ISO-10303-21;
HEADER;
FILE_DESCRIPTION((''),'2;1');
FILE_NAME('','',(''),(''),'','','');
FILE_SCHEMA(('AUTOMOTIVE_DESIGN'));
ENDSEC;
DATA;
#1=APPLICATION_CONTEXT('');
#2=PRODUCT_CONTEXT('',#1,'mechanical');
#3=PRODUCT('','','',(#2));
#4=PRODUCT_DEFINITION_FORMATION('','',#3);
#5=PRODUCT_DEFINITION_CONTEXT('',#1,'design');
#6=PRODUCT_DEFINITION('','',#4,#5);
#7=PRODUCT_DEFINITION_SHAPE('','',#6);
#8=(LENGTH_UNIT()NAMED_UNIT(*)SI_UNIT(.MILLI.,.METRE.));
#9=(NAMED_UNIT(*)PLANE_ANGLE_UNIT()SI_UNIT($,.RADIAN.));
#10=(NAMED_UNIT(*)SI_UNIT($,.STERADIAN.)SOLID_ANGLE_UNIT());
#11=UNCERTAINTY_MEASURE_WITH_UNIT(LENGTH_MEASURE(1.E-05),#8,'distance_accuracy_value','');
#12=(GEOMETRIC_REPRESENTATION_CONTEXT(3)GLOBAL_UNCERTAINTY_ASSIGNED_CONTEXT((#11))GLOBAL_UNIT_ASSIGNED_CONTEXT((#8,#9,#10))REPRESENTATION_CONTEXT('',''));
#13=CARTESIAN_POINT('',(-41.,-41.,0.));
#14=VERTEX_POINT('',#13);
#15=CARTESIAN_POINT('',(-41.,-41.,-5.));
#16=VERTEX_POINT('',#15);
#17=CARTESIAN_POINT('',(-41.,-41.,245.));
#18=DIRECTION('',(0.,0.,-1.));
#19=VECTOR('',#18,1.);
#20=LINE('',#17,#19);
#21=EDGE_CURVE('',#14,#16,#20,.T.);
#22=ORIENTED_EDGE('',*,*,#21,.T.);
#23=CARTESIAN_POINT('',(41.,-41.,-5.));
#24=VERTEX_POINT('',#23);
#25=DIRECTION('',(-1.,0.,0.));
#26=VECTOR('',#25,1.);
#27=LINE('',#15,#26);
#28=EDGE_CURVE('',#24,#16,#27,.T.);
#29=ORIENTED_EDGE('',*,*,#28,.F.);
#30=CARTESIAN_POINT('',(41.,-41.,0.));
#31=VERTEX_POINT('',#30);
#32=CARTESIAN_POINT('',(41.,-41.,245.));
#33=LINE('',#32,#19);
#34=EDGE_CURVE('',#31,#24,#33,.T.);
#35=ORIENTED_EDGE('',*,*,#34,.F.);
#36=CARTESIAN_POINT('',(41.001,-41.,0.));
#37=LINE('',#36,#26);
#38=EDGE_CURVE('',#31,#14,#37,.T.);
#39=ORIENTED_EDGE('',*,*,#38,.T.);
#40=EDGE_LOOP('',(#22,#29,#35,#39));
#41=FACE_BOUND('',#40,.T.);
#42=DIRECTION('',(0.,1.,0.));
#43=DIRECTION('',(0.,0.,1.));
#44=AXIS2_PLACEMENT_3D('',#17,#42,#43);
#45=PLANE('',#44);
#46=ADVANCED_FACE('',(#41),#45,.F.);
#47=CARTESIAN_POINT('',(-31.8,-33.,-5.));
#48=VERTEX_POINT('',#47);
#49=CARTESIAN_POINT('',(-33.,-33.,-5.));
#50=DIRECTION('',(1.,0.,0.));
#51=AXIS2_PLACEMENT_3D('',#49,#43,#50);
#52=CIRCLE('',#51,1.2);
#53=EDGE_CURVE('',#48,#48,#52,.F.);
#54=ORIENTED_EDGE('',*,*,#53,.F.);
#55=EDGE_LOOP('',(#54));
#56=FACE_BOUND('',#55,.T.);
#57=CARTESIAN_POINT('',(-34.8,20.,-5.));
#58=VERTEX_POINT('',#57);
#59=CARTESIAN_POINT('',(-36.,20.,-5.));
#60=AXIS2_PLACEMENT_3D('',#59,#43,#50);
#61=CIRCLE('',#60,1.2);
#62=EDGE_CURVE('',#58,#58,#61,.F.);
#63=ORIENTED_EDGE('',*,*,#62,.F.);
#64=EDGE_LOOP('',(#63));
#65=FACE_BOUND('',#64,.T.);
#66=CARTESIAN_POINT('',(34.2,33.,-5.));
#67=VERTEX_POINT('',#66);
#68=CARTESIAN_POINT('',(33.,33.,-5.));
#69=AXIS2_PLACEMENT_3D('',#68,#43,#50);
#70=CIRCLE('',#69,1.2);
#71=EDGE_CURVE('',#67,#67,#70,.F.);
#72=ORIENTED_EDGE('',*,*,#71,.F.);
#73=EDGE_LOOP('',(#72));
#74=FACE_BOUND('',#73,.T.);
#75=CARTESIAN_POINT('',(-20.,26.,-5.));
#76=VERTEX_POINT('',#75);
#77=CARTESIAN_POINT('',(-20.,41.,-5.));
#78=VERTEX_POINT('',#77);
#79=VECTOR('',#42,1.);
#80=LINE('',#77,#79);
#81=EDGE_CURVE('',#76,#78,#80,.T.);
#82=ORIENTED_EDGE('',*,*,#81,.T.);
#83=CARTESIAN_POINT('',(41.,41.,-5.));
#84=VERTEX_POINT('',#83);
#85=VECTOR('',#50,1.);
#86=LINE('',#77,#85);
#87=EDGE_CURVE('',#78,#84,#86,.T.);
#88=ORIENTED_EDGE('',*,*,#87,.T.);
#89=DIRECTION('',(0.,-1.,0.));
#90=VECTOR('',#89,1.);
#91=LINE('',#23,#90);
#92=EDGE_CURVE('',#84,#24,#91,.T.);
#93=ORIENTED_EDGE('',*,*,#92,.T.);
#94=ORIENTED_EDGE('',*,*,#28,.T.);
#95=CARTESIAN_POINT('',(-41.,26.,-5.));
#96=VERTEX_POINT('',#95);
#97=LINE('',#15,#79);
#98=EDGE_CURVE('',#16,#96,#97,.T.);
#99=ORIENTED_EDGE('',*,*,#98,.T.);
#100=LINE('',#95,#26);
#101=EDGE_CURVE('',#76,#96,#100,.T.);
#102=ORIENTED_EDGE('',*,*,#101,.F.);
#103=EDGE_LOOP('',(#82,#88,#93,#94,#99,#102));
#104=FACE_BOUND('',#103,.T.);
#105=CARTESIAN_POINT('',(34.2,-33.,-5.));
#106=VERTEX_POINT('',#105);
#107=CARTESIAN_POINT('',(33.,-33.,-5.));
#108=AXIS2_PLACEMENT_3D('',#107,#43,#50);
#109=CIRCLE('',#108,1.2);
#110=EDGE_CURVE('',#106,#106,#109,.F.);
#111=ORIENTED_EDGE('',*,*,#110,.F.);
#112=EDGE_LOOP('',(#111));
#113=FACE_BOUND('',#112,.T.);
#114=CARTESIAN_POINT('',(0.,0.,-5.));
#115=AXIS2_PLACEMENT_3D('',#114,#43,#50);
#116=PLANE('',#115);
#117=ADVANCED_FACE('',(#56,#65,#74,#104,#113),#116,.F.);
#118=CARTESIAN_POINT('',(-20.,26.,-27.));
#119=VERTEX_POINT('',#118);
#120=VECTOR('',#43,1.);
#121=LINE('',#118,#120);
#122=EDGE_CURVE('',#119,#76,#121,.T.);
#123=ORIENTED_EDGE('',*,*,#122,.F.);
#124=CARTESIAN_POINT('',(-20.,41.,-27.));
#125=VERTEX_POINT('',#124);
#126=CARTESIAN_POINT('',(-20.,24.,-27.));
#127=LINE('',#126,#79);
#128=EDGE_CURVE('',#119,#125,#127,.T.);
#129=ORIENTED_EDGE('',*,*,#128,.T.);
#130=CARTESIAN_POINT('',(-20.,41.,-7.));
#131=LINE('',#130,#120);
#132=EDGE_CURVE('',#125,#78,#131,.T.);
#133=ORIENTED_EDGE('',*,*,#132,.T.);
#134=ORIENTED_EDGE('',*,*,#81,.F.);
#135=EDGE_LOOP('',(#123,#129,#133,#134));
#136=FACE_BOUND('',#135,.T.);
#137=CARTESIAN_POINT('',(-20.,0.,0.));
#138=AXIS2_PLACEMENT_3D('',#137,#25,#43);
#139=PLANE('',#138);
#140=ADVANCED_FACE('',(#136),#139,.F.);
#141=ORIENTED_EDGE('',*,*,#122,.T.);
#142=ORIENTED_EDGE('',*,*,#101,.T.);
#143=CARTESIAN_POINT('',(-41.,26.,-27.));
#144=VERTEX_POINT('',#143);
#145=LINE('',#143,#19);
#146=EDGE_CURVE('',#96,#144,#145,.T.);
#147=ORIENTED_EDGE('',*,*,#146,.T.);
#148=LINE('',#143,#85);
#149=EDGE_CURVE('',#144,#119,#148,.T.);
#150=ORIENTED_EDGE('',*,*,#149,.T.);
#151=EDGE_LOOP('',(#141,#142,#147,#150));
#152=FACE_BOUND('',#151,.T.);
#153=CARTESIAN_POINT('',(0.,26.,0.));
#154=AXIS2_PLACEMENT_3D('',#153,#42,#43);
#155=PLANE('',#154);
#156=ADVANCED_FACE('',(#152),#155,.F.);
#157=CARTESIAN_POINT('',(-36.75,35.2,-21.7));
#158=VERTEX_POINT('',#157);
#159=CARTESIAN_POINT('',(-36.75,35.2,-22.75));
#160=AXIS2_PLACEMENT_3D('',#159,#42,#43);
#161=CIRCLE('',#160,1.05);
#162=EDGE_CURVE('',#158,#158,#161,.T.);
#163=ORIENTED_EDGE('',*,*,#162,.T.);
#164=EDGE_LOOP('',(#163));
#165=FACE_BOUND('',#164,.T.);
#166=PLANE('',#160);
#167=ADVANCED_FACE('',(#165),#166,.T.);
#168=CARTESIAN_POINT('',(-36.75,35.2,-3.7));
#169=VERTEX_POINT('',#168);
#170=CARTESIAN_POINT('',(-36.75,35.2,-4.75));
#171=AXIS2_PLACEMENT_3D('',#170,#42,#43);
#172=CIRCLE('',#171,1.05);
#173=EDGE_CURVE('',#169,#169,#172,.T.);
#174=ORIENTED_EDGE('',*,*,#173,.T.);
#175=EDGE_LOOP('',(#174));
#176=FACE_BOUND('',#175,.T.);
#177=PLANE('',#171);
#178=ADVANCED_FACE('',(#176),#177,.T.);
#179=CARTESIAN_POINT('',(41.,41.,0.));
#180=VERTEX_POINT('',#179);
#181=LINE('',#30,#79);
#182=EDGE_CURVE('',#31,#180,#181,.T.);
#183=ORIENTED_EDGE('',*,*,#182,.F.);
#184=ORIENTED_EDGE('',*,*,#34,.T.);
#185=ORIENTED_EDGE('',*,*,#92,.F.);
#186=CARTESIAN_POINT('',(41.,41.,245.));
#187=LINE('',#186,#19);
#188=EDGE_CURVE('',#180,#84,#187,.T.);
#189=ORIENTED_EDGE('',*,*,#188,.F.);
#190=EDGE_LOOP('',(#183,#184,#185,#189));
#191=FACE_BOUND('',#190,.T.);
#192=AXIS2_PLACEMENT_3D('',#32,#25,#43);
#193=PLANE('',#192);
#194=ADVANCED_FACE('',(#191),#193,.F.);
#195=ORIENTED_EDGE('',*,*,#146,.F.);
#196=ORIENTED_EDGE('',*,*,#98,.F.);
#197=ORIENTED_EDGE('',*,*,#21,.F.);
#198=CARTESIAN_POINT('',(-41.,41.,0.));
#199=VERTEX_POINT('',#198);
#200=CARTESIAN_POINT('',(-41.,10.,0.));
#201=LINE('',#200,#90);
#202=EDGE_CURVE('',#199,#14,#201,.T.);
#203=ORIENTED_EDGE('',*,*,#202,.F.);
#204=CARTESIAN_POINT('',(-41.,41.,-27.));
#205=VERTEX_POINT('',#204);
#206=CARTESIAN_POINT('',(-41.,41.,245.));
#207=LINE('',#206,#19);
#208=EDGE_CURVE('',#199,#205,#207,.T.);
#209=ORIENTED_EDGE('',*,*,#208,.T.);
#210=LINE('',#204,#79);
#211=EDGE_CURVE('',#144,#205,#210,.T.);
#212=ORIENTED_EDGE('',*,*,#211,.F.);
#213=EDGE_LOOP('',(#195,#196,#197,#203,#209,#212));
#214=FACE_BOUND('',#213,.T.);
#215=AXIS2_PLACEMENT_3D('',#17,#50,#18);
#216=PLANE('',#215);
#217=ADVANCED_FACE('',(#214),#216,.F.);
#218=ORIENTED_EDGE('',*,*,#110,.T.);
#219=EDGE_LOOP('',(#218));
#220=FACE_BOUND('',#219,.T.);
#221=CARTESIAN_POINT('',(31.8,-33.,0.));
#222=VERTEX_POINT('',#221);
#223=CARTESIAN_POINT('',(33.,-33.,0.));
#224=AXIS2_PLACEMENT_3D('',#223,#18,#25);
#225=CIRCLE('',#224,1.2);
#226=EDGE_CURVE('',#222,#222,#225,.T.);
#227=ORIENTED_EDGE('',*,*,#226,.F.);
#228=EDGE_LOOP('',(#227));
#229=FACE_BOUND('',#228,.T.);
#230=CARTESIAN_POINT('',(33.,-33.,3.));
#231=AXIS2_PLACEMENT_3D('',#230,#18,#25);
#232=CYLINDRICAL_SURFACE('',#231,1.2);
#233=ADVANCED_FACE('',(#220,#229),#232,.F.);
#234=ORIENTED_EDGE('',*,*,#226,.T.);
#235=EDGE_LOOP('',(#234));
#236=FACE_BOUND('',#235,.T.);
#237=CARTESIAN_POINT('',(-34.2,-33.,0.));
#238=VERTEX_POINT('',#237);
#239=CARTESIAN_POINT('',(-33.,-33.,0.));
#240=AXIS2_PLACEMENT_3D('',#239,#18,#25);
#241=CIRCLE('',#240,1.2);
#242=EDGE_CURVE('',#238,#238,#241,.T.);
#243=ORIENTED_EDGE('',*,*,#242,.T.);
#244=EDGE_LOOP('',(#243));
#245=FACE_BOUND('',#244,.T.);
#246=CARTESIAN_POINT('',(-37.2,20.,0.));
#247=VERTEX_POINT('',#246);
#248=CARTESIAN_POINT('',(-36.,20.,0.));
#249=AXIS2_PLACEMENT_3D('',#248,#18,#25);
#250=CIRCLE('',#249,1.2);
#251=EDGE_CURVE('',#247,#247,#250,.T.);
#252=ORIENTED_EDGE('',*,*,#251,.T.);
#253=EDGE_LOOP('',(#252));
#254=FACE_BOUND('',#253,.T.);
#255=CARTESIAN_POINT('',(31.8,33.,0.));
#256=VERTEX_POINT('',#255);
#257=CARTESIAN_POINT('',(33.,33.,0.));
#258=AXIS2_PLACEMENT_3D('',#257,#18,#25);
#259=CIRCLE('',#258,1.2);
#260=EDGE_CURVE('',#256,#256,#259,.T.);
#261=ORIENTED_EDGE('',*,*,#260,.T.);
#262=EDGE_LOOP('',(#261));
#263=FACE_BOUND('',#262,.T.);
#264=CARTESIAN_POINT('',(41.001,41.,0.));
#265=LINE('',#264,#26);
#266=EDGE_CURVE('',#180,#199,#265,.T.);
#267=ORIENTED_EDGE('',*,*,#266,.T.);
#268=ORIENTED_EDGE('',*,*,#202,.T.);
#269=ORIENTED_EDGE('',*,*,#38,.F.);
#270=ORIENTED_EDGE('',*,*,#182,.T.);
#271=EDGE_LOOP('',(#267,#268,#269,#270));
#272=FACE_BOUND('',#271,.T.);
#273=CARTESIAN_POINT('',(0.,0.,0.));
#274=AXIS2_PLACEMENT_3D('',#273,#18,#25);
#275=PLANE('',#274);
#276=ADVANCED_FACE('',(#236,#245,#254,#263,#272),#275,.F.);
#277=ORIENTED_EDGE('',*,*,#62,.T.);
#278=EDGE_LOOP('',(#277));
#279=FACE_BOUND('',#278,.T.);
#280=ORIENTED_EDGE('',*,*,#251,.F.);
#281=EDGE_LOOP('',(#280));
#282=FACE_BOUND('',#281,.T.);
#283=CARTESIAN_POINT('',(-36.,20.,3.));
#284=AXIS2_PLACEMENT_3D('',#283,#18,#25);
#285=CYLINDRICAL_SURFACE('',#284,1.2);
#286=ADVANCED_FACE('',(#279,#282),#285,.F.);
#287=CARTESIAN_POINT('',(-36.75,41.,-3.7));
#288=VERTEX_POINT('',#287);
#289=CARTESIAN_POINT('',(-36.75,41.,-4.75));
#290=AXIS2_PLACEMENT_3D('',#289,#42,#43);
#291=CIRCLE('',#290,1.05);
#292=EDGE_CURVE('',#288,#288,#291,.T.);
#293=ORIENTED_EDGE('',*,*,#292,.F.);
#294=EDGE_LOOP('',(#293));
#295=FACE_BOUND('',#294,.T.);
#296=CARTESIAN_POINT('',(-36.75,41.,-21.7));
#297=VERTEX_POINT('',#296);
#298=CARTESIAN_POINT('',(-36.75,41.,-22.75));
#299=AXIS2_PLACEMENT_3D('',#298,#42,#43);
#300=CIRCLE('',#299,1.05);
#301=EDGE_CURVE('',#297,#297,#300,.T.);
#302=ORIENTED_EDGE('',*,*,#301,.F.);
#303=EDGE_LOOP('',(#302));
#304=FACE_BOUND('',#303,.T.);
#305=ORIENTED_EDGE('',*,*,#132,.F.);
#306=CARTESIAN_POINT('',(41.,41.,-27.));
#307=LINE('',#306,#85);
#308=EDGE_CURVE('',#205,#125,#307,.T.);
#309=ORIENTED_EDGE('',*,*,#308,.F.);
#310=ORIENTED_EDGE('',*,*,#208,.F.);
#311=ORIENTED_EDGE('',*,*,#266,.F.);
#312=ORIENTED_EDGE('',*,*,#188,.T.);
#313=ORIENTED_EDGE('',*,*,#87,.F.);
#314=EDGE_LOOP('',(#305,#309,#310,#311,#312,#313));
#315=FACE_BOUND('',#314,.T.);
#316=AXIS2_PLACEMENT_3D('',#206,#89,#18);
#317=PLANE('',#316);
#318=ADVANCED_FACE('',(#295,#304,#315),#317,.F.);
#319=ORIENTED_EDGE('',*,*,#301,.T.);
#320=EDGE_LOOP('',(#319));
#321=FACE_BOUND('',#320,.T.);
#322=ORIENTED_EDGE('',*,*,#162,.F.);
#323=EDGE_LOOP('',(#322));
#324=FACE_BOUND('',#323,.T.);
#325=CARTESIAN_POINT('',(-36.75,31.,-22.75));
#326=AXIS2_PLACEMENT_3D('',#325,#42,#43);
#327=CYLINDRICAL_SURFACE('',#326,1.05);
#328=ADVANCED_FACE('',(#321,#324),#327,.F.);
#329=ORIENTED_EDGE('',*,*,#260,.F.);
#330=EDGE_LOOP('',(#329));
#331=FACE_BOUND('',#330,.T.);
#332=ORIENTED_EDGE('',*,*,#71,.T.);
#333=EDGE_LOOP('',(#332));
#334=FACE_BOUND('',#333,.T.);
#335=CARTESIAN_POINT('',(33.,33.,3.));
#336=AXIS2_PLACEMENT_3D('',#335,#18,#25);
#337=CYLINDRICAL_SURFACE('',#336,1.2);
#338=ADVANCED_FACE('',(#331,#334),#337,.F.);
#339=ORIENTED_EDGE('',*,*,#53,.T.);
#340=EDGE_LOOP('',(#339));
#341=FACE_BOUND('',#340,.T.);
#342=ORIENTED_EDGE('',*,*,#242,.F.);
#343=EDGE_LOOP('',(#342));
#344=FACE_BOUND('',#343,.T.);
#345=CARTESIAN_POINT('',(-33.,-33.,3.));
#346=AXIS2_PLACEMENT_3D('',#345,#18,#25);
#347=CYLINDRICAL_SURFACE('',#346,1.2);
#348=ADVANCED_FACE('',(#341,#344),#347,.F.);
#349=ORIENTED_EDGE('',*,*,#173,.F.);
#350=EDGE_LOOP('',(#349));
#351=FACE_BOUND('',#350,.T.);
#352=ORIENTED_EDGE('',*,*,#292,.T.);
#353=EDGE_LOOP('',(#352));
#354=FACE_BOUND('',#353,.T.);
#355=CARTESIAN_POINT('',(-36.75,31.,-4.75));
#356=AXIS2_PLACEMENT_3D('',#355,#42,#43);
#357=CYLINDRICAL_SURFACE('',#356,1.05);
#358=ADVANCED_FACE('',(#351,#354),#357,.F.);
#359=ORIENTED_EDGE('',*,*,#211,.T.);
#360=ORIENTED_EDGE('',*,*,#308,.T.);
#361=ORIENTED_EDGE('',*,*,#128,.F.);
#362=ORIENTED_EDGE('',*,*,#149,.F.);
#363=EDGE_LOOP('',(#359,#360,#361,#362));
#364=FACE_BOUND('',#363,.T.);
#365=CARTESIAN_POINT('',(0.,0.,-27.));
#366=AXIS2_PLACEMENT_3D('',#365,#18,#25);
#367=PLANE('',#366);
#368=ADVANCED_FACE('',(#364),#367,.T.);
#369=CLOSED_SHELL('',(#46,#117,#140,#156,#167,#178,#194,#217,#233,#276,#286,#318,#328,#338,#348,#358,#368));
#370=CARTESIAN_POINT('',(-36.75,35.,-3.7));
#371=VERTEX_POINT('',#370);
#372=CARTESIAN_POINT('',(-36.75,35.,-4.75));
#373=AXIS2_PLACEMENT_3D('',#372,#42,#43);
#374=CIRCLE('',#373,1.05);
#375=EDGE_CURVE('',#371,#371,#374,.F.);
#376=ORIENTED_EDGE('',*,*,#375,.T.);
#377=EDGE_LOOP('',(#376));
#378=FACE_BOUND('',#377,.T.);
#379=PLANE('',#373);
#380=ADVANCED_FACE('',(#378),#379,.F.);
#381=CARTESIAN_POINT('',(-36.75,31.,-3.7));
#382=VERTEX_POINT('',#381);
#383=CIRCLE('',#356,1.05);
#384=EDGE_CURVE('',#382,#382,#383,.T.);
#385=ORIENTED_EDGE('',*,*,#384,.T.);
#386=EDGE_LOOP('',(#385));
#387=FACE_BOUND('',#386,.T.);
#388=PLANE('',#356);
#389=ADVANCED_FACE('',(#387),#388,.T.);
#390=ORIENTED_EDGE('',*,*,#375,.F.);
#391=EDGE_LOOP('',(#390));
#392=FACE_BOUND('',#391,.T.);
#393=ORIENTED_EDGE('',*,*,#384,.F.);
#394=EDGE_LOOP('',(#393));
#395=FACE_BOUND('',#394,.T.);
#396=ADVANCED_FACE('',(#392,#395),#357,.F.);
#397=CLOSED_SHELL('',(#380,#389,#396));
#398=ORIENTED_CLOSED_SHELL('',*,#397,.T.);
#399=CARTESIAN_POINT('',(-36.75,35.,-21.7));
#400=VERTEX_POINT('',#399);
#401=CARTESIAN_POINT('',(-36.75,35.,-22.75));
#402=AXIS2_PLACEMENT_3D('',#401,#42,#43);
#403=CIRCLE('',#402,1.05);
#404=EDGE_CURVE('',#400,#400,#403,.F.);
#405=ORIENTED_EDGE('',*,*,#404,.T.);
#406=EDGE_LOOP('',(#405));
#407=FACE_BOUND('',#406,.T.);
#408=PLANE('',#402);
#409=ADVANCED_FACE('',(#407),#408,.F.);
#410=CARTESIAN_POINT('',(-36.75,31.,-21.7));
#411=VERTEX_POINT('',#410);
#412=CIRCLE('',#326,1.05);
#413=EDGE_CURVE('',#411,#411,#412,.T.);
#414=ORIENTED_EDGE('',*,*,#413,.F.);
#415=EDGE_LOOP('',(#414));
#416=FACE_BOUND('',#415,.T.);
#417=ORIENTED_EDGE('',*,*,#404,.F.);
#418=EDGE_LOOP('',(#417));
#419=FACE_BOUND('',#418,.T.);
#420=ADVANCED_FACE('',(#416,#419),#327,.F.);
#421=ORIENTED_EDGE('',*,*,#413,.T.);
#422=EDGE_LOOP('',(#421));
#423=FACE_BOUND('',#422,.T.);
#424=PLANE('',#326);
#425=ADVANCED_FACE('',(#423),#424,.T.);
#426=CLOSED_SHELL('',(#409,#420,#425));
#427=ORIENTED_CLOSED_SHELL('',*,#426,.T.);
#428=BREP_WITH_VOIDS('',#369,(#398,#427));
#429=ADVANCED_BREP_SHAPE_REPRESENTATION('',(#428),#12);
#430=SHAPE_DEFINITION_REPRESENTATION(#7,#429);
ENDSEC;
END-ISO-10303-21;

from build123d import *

# Parameters (mm, degrees)
SKETCH_1_W           = 82
SKETCH_1_H           = 82
SKETCH_1_R           = 35.5
EXTRUDE_1_DEPTH      = 245
SKETCH_2_W           = 82
SKETCH_2_H           = 82
EXTRUDE_2_DEPTH      = 27
SKETCH_3_W           = 8
SKETCH_3_H           = 20
CUT_EXTRUDE_1_DEPTH  = 245
SKETCH_4_R           = 4
CUT_EXTRUDE_2_DEPTH  = 20
FILLET_2_R           = 3
FILLET_3_R           = 3
FILLET_4_R           = 3
FILLET_5_R           = 3
SKETCH_5_R           = 1.05
CUT_EXTRUDE_3_DEPTH  = 10
EXTRUDE_START        = 0.2
SKETCH_6_R           = 1.05
EXTRUDE_3_DEPTH      = 0.2
CUT_EXTRUDE_5_REACH  = 263.591
SKETCH_7_W           = 20
SKETCH_7_H           = 65
CUT_EXTRUDE_6_REACH  = 263.591
SKETCH_8_W           = 41
SKETCH_8_H           = 20
SKETCH_9_R           = 1.2
CUT_EXTRUDE_7_DEPTH  = 10
CUT_EXTRUDE_8_REACH  = 263.591
SKETCH_10_W          = 245
SKETCH_10_H          = 82
SKETCH_11_W          = 20
SKETCH_11_H          = 17
CUT_EXTRUDE_9_DEPTH  = 20
CUT_EXTRUDE_10_DEPTH = 2
SKETCH_13_W          = 21
SKETCH_13_H          = 22
CUT_EXTRUDE_11_DEPTH = 2


with BuildPart() as part:
    # 草圖1 → 填料-伸長1 (new body)
    with BuildSketch(Plane.XY):
        Rectangle(SKETCH_1_W, SKETCH_1_H)
        Circle(SKETCH_1_R, mode=Mode.SUBTRACT)
    extrude(amount=EXTRUDE_1_DEPTH)

    # 草圖2 → 填料-伸長2 (add)
    with BuildSketch(Plane(origin=(0, 0, 0), x_dir=(-1, 0, 0), z_dir=(0, 0, -1))):
        Rectangle(SKETCH_2_W, SKETCH_2_H)
    extrude(amount=EXTRUDE_2_DEPTH)

    # 草圖3 → 除料-伸長1 (cut)
    with BuildSketch(Plane.XY.offset(245)):
        with Locations((-37, 0)):
            Rectangle(SKETCH_3_W, SKETCH_3_H)
    extrude(amount=-CUT_EXTRUDE_1_DEPTH, mode=Mode.SUBTRACT)

    # 草圖4 → 除料-伸長2 (cut)
    with BuildSketch(Plane.XY.offset(245)):
        with Locations((-32.9, 33)):
            Circle(SKETCH_4_R)
        with Locations((33.1, 32.9)):
            Circle(SKETCH_4_R)
        with Locations((33, -33.1)):
            Circle(SKETCH_4_R)
        with Locations((-33, -33)):
            Circle(SKETCH_4_R)
    extrude(amount=-CUT_EXTRUDE_2_DEPTH, mode=Mode.SUBTRACT)

    # 圓角2
    fillet_2_edges = [part.edges().sort_by_distance(p)[0] for p in [
        (-36.9, 33, 225),
    ]]
    fillet(fillet_2_edges, radius=FILLET_2_R)

    # 圓角3
    fillet_3_edges = [part.edges().sort_by_distance(p)[0] for p in [
        (29.1, 32.9, 225),
    ]]
    fillet(fillet_3_edges, radius=FILLET_3_R)

    # 圓角4
    fillet_4_edges = [part.edges().sort_by_distance(p)[0] for p in [
        (-37, -33, 225),
    ]]
    fillet(fillet_4_edges, radius=FILLET_4_R)

    # 圓角5
    fillet_5_edges = [part.edges().sort_by_distance(p)[0] for p in [
        (29, -33.1, 225),
    ]]
    fillet(fillet_5_edges, radius=FILLET_5_R)

    # 草圖5 → 除料-伸長3 (cut)
    with BuildSketch(Plane(origin=(0, 41, 0), x_dir=(1, 0, 0), z_dir=(0, 1, 0))):
        with Locations(Location((-36.75, 22.75, 0), (0, 0, 270))):
            Circle(SKETCH_5_R)
        with Locations(Location((-36.75, 4.75, 0), (0, 0, 270))):
            Circle(SKETCH_5_R)
    extrude(amount=-CUT_EXTRUDE_3_DEPTH, mode=Mode.SUBTRACT)

    # 草圖6 → 填料-伸長3 (add)
    with BuildSketch(Plane(origin=(0, 35, 0), x_dir=(1, 0, 0), z_dir=(0, 1, 0)).offset(EXTRUDE_START)):
        with Locations(Location((-36.75, 22.75, 0), (0, 0, 270))):
            Circle(SKETCH_6_R)
        with Locations(Location((-36.75, 4.75, 0), (0, 0, 270))):
            Circle(SKETCH_6_R)
    extrude(amount=-EXTRUDE_3_DEPTH)

    # 草圖7 → 除料-伸長5 (cut, up to next)
    with BuildSketch(Plane(origin=(-41, 0, 0), x_dir=(0, 0, -1), z_dir=(1, 0, 0)), mode=Mode.PRIVATE) as cut_extrude_5_sk1:
        with Locations((17, -8.5)):
            Rectangle(SKETCH_7_W, SKETCH_7_H)
    cut_extrude_5_tool1 = extrude(cut_extrude_5_sk1.sketch, amount=CUT_EXTRUDE_5_REACH, mode=Mode.PRIVATE) & part.part
    add(cut_extrude_5_tool1.solids().sort_by_distance((-41, -8.5, -17))[0], mode=Mode.SUBTRACT)

    # 草圖8 → 除料-伸長6 (cut, up to next)
    with BuildSketch(Plane(origin=(0, 41, 0), x_dir=(1, 0, 0), z_dir=(0, 1, 0)), mode=Mode.PRIVATE) as cut_extrude_6_sk1:
        with Locations((20.5, 17)):
            Rectangle(SKETCH_8_W, SKETCH_8_H)
    cut_extrude_6_tool1 = extrude(cut_extrude_6_sk1.sketch, amount=-CUT_EXTRUDE_6_REACH, mode=Mode.PRIVATE) & part.part
    add(cut_extrude_6_tool1.solids().sort_by_distance((20.5, 41, -17))[0], mode=Mode.SUBTRACT)

    # 草圖9 → 除料-伸長7 (cut)
    with BuildSketch(Plane(origin=(0, 0, -7), x_dir=(-1, 0, 0), z_dir=(0, 0, -1))):
        with Locations((-33, 33)):
            Circle(SKETCH_9_R)
        with Locations((-33, -33)):
            Circle(SKETCH_9_R)
        with Locations((33, -33)):
            Circle(SKETCH_9_R)
        with Locations((36, 20)):
            Circle(SKETCH_9_R)
    extrude(amount=-CUT_EXTRUDE_7_DEPTH, mode=Mode.SUBTRACT)

    # 草圖10 → 除料-伸長8 (cut, up to next)
    with BuildSketch(Plane.ZY.offset(41), mode=Mode.PRIVATE) as cut_extrude_8_sk1:
        with Locations((122.5, 0)):
            Rectangle(SKETCH_10_W, SKETCH_10_H)
    cut_extrude_8_tool1 = extrude(cut_extrude_8_sk1.sketch, amount=-CUT_EXTRUDE_8_REACH, mode=Mode.PRIVATE) & part.part
    add(cut_extrude_8_tool1.solids().sort_by_distance((-41, 0, 122.5))[0], mode=Mode.SUBTRACT)

    # 草圖11 → 除料-伸長9 (cut)
    with BuildSketch(Plane(origin=(0, 0, 0), x_dir=(0, 0, -1), z_dir=(1, 0, 0))):
        with Locations((17, 32.5)):
            Rectangle(SKETCH_11_W, SKETCH_11_H)
    extrude(amount=-CUT_EXTRUDE_9_DEPTH, mode=Mode.SUBTRACT)

    # 草圖12 → 除料-伸長10 (cut)
    with BuildSketch(Plane(origin=(0, 0, -7), x_dir=(-1, 0, 0), z_dir=(0, 0, -1))):
        Polygon((20, 41), (20, 24), (41, 24), (41, -41), (-41, -41), (-41, 41), align=None)
    extrude(amount=-CUT_EXTRUDE_10_DEPTH, mode=Mode.SUBTRACT)

    # 草圖13 → 除料-伸長11 (cut)
    with BuildSketch(Plane.XZ.offset(-24)):
        with Locations((-30.5, -16)):
            Rectangle(SKETCH_13_W, SKETCH_13_H)
    extrude(amount=-CUT_EXTRUDE_11_DEPTH, mode=Mode.SUBTRACT)


solid = part.part
